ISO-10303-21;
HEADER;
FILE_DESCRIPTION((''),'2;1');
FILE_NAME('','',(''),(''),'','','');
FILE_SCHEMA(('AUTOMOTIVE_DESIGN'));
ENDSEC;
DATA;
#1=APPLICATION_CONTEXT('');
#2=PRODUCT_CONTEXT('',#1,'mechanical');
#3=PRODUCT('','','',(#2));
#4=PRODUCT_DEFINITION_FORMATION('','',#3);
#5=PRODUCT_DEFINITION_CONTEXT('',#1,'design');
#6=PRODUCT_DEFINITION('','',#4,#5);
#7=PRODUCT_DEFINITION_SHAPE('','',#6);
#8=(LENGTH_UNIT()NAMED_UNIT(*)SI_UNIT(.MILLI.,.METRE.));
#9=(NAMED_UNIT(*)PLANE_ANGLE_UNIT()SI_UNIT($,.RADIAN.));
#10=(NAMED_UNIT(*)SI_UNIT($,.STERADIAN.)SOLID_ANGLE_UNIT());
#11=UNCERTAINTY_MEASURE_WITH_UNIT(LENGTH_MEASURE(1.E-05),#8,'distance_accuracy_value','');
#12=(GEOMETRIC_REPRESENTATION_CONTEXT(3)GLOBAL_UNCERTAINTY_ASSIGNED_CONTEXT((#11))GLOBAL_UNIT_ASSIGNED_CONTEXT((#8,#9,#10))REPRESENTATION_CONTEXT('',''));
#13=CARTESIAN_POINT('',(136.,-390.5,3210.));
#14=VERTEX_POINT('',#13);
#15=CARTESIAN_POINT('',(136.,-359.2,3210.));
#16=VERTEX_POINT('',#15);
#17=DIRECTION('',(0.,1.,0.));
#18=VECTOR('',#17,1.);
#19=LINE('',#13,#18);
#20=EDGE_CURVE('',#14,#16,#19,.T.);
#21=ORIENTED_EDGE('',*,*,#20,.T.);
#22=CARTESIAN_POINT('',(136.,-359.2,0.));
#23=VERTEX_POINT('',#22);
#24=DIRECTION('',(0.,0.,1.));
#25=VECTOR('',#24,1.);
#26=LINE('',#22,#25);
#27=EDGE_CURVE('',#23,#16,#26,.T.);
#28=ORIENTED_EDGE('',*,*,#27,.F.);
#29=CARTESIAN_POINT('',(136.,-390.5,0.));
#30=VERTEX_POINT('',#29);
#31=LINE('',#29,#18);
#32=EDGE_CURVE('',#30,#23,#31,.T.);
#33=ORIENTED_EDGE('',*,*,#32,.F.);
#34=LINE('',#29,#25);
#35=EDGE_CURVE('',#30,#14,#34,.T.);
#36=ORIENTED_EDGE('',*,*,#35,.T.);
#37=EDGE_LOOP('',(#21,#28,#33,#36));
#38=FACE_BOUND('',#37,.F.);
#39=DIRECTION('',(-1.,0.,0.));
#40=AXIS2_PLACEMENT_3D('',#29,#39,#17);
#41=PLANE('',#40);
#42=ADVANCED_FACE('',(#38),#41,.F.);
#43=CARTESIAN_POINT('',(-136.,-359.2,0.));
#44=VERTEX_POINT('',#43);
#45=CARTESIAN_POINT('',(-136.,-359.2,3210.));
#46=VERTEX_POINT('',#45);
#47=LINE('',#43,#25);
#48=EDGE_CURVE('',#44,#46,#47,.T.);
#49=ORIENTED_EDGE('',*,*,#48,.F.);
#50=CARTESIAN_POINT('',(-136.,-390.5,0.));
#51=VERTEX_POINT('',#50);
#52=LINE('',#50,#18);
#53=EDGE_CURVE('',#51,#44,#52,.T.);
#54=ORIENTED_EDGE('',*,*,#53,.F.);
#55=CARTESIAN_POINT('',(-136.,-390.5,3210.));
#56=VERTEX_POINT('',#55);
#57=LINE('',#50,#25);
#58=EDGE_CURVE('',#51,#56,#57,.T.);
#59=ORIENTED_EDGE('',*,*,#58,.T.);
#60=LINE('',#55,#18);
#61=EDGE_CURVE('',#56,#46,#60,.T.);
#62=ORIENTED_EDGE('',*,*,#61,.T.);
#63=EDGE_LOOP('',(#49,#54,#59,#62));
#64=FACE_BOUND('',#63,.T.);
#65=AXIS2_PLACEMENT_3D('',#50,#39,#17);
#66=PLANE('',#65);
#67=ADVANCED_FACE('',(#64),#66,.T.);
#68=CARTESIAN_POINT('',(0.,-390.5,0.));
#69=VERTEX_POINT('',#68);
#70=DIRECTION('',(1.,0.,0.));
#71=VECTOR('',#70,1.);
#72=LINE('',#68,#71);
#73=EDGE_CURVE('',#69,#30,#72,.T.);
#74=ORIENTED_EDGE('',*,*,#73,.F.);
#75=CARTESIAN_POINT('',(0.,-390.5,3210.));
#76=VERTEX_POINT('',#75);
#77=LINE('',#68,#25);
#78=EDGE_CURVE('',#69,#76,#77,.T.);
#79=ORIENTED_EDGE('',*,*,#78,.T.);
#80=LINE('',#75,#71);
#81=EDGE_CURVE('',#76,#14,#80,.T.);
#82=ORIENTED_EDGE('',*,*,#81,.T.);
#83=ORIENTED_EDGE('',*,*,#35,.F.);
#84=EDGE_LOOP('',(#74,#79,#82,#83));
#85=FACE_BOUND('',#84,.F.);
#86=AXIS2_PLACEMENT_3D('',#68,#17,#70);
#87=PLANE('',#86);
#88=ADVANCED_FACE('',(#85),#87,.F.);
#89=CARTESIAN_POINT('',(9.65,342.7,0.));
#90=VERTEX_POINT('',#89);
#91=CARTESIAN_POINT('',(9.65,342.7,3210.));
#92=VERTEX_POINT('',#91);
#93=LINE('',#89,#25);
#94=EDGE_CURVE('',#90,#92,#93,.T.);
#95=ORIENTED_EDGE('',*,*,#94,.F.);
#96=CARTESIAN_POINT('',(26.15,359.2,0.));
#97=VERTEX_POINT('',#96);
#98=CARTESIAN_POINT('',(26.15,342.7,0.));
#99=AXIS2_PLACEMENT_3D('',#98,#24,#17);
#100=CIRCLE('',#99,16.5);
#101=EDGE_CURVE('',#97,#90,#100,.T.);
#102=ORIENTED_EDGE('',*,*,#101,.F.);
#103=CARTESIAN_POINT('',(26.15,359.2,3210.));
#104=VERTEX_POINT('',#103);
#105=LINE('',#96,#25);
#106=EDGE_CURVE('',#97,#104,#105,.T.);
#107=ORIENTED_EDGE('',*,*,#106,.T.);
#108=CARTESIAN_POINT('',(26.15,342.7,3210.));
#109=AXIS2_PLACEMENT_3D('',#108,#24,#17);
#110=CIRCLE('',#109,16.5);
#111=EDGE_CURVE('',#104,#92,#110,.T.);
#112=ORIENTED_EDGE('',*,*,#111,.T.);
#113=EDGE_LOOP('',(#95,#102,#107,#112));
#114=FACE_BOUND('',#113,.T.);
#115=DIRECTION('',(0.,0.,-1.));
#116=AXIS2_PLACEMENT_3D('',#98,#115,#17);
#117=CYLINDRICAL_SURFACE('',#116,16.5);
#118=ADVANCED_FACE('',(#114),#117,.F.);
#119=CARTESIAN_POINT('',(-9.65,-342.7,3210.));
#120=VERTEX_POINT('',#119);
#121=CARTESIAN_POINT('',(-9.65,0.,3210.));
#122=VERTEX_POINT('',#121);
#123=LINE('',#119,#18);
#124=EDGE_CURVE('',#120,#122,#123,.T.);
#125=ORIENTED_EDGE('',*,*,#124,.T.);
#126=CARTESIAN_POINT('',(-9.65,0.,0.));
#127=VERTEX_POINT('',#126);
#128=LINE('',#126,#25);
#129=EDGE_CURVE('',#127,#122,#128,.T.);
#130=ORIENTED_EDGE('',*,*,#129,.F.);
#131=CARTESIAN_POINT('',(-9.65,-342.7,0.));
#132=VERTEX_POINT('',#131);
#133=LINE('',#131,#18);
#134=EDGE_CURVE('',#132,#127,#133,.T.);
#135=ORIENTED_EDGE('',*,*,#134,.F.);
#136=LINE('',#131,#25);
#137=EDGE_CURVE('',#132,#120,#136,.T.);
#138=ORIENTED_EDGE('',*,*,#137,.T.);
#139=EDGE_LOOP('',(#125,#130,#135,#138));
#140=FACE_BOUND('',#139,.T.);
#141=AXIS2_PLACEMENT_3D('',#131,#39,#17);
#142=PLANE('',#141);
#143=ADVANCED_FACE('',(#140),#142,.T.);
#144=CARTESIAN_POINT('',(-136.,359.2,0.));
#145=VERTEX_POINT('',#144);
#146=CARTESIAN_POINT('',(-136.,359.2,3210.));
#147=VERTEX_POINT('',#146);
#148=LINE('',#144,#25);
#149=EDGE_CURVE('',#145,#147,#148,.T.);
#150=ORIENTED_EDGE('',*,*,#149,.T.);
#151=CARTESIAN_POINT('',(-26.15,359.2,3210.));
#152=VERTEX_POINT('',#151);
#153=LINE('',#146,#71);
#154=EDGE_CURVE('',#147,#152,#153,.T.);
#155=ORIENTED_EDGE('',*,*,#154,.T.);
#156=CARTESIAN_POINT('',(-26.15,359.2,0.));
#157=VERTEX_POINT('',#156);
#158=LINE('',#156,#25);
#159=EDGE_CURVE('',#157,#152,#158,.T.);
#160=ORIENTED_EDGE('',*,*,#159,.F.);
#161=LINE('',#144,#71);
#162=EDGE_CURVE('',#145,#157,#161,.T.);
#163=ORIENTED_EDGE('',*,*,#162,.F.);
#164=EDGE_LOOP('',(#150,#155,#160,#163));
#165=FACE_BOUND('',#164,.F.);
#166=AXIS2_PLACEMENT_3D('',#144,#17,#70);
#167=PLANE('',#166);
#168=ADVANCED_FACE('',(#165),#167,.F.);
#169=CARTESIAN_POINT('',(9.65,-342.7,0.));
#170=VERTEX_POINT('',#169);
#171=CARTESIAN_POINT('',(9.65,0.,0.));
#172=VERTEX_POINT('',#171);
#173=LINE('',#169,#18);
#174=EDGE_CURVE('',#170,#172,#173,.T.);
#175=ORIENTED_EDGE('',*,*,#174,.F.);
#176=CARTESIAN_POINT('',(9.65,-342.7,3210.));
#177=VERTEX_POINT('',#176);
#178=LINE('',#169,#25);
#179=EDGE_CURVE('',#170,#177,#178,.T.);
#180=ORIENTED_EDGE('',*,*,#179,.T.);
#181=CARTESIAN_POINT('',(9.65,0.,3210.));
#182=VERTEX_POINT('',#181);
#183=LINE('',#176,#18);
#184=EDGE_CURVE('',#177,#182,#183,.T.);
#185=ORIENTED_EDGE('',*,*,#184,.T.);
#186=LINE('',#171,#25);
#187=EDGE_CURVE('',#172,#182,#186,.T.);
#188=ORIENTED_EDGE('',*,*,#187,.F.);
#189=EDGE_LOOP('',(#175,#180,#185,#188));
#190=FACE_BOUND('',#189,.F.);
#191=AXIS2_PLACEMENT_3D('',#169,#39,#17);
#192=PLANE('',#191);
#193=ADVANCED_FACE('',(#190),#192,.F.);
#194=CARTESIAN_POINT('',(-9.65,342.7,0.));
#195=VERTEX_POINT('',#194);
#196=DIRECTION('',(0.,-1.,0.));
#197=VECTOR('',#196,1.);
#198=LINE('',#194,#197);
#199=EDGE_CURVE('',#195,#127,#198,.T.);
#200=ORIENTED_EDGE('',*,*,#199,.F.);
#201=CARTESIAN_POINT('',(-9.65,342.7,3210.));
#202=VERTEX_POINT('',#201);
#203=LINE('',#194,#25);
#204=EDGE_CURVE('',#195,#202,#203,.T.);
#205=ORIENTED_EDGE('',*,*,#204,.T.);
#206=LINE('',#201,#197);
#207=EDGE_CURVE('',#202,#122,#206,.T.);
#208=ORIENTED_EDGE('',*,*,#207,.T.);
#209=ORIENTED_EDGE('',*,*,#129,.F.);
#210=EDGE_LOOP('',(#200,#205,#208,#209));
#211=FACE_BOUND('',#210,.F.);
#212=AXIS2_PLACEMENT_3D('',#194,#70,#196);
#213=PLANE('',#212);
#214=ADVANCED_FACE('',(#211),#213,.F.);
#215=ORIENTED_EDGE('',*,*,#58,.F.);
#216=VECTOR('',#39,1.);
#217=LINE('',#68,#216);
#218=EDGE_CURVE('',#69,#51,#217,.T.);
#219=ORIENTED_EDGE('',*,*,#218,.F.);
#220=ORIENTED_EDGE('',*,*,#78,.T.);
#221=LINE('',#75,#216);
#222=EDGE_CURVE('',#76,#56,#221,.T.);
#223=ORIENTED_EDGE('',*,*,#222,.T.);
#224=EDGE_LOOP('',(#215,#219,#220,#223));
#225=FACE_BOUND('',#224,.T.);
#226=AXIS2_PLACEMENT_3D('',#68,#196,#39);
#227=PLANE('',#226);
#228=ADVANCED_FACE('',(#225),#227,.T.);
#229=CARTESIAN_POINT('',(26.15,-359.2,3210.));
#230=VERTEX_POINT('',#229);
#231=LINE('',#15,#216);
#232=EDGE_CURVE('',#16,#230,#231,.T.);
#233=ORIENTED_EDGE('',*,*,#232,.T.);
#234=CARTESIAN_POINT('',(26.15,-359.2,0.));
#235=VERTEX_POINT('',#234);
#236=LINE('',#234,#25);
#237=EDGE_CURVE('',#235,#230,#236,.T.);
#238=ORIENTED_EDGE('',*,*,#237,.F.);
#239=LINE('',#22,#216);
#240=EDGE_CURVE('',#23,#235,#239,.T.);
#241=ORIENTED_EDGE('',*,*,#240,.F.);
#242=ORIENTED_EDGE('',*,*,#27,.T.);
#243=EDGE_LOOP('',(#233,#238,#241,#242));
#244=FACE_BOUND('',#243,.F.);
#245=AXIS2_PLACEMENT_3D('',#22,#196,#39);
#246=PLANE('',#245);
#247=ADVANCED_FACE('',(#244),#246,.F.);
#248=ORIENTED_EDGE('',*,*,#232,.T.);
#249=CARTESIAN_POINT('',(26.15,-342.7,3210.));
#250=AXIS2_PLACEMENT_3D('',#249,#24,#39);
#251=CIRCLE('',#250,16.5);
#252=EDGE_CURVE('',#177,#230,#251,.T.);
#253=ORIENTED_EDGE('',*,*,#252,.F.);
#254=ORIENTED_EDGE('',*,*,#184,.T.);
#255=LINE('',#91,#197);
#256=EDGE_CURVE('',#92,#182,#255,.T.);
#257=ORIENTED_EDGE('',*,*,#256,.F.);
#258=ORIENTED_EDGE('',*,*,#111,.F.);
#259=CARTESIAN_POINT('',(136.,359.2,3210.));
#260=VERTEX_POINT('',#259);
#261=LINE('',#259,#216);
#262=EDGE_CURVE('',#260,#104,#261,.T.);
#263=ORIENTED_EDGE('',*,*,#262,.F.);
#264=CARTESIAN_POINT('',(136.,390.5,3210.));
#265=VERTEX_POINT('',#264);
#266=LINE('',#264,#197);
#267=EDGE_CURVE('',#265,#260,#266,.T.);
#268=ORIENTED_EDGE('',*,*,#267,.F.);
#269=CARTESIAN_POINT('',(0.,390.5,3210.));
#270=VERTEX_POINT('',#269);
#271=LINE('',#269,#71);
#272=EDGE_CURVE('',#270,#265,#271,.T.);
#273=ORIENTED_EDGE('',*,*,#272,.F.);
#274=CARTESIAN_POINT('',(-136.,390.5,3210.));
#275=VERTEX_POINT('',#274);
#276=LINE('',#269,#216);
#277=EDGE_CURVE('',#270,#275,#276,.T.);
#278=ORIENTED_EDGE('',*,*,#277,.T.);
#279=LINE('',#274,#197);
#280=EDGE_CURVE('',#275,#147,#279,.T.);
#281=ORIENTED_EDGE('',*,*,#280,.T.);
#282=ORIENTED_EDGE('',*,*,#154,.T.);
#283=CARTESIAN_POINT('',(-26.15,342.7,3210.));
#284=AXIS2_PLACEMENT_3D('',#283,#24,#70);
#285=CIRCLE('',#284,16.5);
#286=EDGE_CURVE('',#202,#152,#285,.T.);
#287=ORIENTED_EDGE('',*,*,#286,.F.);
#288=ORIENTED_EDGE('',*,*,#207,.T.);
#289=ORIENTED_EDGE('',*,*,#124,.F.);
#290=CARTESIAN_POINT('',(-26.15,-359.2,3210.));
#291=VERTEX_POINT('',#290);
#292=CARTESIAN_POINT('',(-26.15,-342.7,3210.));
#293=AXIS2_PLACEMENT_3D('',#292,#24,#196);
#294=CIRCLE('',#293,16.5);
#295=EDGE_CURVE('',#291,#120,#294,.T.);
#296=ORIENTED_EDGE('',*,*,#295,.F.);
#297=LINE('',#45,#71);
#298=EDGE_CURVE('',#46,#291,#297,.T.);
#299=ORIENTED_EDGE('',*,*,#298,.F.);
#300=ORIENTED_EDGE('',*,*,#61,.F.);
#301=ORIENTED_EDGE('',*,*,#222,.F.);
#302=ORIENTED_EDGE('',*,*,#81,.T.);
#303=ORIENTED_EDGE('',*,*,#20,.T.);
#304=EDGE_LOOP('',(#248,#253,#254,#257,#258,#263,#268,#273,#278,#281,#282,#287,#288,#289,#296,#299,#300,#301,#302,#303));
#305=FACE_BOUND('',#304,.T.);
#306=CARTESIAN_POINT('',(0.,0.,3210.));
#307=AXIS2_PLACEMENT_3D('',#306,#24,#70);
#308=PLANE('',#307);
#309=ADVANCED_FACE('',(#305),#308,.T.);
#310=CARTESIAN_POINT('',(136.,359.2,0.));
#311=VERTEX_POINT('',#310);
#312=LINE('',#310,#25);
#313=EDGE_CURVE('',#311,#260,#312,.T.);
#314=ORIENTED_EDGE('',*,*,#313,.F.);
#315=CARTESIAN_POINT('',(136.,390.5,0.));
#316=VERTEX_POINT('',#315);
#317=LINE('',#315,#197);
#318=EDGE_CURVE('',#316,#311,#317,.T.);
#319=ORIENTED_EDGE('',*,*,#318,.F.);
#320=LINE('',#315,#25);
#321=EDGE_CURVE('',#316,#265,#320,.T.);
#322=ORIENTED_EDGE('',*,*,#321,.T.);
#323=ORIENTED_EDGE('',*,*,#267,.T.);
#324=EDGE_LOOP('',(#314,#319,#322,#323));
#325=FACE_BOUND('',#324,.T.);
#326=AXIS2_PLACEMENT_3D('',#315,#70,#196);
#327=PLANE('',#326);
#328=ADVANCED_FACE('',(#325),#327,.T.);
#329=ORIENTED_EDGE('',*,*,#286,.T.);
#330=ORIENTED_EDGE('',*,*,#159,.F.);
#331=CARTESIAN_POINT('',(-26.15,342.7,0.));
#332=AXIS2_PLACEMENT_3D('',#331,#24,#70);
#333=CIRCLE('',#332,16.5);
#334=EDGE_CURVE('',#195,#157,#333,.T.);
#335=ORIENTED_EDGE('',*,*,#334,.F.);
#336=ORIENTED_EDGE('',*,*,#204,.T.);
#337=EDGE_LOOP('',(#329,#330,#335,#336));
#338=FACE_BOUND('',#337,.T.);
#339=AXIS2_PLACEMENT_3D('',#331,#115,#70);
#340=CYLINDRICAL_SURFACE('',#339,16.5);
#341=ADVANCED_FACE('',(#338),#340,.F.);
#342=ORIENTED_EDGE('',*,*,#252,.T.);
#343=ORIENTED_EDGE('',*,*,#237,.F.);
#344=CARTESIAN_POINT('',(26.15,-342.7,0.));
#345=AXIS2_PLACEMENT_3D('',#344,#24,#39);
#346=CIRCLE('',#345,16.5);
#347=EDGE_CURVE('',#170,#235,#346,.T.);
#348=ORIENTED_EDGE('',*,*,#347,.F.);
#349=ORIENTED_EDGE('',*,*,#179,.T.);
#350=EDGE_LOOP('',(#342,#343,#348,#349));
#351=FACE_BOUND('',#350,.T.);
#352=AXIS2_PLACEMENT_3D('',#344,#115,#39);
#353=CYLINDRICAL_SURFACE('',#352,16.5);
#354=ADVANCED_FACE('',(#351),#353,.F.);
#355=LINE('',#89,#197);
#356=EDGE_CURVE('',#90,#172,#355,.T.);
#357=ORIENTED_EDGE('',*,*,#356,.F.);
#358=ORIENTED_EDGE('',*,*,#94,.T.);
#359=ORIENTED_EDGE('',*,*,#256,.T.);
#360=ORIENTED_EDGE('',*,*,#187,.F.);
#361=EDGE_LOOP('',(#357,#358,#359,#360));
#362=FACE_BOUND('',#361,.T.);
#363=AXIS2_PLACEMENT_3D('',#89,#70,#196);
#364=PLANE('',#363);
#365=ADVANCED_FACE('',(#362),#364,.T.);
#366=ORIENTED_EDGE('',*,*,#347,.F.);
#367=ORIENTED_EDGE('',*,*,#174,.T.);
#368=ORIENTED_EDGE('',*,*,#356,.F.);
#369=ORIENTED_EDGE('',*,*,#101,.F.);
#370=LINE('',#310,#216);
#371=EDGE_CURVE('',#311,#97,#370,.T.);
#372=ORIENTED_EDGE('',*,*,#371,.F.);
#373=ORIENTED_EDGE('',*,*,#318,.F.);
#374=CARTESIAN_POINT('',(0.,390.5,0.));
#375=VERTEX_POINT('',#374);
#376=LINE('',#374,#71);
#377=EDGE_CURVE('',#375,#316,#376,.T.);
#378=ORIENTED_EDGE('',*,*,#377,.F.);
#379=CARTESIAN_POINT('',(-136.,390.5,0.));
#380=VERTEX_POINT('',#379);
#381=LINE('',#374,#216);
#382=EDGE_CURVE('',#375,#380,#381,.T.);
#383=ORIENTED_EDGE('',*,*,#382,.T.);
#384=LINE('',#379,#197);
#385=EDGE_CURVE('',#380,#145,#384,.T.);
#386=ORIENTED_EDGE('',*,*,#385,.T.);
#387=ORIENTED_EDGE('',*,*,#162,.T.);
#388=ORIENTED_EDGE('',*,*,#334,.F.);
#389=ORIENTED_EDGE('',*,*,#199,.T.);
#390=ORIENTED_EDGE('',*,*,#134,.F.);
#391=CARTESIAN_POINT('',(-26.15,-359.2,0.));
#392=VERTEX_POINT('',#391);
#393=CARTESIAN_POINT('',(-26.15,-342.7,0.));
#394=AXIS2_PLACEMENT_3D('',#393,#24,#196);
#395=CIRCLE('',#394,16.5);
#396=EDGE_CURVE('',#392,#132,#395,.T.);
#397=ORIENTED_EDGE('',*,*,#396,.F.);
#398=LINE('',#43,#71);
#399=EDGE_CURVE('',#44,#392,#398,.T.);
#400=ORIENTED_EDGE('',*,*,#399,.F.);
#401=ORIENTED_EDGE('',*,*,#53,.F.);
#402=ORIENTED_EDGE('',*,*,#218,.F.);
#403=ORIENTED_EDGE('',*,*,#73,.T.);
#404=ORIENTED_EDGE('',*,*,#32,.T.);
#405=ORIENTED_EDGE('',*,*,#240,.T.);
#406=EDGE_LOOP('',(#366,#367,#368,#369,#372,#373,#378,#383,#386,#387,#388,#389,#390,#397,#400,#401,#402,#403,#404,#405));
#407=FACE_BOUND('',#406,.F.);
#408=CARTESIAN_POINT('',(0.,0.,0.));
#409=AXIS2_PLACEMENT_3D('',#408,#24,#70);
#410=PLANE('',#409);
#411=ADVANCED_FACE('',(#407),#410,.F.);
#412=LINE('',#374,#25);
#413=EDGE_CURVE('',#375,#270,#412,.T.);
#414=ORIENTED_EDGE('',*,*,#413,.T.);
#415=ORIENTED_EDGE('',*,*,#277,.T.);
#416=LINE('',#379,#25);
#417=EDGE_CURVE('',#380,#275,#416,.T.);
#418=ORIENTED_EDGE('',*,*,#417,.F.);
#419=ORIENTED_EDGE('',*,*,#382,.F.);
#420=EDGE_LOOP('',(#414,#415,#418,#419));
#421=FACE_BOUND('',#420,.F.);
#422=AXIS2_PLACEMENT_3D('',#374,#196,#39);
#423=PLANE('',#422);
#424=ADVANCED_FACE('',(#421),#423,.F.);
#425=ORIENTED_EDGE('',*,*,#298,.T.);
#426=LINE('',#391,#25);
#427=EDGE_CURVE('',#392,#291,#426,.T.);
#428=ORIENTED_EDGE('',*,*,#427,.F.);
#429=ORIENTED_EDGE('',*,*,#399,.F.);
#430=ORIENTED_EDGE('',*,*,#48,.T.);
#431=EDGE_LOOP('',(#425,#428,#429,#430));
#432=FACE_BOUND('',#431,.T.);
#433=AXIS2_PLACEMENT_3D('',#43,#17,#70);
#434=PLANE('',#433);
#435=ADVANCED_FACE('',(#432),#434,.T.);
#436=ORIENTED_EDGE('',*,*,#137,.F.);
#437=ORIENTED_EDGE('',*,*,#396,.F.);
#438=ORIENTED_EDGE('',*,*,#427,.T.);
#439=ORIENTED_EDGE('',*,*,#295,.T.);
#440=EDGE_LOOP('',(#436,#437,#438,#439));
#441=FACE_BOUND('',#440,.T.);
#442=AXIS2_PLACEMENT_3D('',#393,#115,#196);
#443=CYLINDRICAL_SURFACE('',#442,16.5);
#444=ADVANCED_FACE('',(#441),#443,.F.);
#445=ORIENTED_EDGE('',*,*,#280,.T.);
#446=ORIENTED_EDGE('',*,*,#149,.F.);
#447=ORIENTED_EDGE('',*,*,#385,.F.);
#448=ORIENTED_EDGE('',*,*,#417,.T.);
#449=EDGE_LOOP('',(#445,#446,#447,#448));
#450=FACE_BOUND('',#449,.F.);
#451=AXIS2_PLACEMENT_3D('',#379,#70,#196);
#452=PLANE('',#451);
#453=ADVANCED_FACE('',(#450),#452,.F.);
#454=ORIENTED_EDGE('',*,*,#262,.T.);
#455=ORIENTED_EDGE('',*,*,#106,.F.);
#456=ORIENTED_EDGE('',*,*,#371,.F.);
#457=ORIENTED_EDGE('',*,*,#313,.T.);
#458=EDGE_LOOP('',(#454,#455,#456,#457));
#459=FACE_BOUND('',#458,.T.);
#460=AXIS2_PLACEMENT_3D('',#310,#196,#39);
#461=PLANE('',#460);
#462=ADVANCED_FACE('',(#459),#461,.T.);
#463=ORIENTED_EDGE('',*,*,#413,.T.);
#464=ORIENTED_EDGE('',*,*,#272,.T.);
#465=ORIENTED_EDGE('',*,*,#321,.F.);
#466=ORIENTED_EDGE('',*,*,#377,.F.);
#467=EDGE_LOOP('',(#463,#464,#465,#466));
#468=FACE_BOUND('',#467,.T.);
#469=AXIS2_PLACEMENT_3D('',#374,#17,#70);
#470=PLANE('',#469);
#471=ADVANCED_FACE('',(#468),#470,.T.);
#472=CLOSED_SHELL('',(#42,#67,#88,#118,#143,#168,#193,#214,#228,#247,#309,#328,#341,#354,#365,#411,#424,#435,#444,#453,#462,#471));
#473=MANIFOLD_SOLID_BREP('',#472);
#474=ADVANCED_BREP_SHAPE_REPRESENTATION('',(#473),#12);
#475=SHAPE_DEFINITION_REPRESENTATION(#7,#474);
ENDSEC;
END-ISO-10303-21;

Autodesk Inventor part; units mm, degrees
ref_plane "YZ Plane" through (0, 0, 0) normal (1, 0, 0) x (0, 1, 0)
ref_plane "Start plane" through (0, 0, 0) normal (0, 0, 1) x (1, 0, 0)
ref_plane "End plane" through (0, 0, 3210) normal (0, 0, 1) x (1, 0, 0)
sketch "Sketch" plane through (0, 0, 0) normal (0, 0, 1) x (1, 0, 0)
  line L0 (-136, -390.5) -> (-136, -359.2)
  line L1 (-136, -359.2) -> (-26.15, -359.2)
  line L2 (-9.65, -342.7) -> (-9.65, 0)
  line L3 (-9.65, 0) -> (0, 0) construction
  line L4 (0, 0) -> (0, -390.5) construction
  line L5 (0, -390.5) -> (-136, -390.5)
  line L6 (-60, 0) -> (80, 0) construction
  line L7 (0, -60) -> (0, 80) construction
  line L8 (136, -390.5) -> (136, -359.2)
  line L9 (136, -359.2) -> (26.15, -359.2)
  line L10 (9.65, -342.7) -> (9.65, 0)
  line L11 (9.65, 0) -> (0, 0) construction
  line L12 (0, -390.5) -> (136, -390.5)
  line L13 (-136, 390.5) -> (-136, 359.2)
  line L14 (-136, 359.2) -> (-26.15, 359.2)
  line L15 (-9.65, 342.7) -> (-9.65, 0)
  line L16 (0, 390.5) -> (-136, 390.5)
  line L17 (136, 390.5) -> (136, 359.2)
  line L18 (136, 359.2) -> (26.15, 359.2)
  line L19 (0, 390.5) -> (136, 390.5)
  line L20 (9.65, 342.7) -> (9.65, 0)
  arc A0 (-9.65, 342.7) -> (-26.15, 359.2) centre (-26.15, 342.7) ccw
  arc A1 (26.15, 359.2) -> (9.65, 342.7) centre (26.15, 342.7) ccw
  arc A2 (9.65, -342.7) -> (26.15, -359.2) centre (26.15, -342.7) ccw
  arc A3 (-26.15, -359.2) -> (-9.65, -342.7) centre (-26.15, -342.7) ccw
  line L21 (0, 108) -> (0, -88) construction
  line L22 (-88, 0) -> (108, 0) construction
  point P0 (-9.65, -359.2)
  point P1 (9.65, -359.2)
  point P2 (-9.65, 359.2)
  point P3 (9.65, 359.2)
  dimension "d1" = 390.5
  dimension "d2" = 31.3
  dimension "d3" = 136
  dimension "d4" = 9.65
  dimension "d10" = 16.5
extrude "Body" add sketch "Sketch" along normal up to surface (3210 mm away) from surface at 0
sketch "Sketch4" plane through (0, 0, 0) normal (0, 0, 1) x (1, 0, 0)
  line L0 (0, 0) -> (10, 0)
ref_plane "Work Plane3" through (0, 0, 0) normal (0, -1, 0) x (1, 0, 0)
sketch "Sketch5" plane through (0, 0, 0) normal (0, -1, 0) x (1, 0, 0)
  line L0 (-2, 0) -> (12, 0) projected
  line L1 (-2, 3210) -> (12, 3210) projected
  dimension "d14" = 3210
equation "\"d1\" = 0.5 * G_H"
equation "\"d2\" = G_T1"
equation "\"d3\" = 0.5 * G_W"
equation "\"d4\" = 0.5 * G_T"
equation "\"d10\" = G_IR"
equation "\"d5\" = G_L"
equation "\"G_W\" = 272"
equation "\"G_H\" = 781"
equation "\"G_T\" = 19.3"
equation "\"G_T1\" = 31.3"
equation "\"G_IR\" = 16.5"
equation "\"G_L\" = d14"
equation "\"G_OFFSET_START\" = 0"
equation "\"G_OFFSET_END\" = 0"
properties part number "AS 3679-1990 - 760 UB - 244 - 3210" material "Steel, Mild"
